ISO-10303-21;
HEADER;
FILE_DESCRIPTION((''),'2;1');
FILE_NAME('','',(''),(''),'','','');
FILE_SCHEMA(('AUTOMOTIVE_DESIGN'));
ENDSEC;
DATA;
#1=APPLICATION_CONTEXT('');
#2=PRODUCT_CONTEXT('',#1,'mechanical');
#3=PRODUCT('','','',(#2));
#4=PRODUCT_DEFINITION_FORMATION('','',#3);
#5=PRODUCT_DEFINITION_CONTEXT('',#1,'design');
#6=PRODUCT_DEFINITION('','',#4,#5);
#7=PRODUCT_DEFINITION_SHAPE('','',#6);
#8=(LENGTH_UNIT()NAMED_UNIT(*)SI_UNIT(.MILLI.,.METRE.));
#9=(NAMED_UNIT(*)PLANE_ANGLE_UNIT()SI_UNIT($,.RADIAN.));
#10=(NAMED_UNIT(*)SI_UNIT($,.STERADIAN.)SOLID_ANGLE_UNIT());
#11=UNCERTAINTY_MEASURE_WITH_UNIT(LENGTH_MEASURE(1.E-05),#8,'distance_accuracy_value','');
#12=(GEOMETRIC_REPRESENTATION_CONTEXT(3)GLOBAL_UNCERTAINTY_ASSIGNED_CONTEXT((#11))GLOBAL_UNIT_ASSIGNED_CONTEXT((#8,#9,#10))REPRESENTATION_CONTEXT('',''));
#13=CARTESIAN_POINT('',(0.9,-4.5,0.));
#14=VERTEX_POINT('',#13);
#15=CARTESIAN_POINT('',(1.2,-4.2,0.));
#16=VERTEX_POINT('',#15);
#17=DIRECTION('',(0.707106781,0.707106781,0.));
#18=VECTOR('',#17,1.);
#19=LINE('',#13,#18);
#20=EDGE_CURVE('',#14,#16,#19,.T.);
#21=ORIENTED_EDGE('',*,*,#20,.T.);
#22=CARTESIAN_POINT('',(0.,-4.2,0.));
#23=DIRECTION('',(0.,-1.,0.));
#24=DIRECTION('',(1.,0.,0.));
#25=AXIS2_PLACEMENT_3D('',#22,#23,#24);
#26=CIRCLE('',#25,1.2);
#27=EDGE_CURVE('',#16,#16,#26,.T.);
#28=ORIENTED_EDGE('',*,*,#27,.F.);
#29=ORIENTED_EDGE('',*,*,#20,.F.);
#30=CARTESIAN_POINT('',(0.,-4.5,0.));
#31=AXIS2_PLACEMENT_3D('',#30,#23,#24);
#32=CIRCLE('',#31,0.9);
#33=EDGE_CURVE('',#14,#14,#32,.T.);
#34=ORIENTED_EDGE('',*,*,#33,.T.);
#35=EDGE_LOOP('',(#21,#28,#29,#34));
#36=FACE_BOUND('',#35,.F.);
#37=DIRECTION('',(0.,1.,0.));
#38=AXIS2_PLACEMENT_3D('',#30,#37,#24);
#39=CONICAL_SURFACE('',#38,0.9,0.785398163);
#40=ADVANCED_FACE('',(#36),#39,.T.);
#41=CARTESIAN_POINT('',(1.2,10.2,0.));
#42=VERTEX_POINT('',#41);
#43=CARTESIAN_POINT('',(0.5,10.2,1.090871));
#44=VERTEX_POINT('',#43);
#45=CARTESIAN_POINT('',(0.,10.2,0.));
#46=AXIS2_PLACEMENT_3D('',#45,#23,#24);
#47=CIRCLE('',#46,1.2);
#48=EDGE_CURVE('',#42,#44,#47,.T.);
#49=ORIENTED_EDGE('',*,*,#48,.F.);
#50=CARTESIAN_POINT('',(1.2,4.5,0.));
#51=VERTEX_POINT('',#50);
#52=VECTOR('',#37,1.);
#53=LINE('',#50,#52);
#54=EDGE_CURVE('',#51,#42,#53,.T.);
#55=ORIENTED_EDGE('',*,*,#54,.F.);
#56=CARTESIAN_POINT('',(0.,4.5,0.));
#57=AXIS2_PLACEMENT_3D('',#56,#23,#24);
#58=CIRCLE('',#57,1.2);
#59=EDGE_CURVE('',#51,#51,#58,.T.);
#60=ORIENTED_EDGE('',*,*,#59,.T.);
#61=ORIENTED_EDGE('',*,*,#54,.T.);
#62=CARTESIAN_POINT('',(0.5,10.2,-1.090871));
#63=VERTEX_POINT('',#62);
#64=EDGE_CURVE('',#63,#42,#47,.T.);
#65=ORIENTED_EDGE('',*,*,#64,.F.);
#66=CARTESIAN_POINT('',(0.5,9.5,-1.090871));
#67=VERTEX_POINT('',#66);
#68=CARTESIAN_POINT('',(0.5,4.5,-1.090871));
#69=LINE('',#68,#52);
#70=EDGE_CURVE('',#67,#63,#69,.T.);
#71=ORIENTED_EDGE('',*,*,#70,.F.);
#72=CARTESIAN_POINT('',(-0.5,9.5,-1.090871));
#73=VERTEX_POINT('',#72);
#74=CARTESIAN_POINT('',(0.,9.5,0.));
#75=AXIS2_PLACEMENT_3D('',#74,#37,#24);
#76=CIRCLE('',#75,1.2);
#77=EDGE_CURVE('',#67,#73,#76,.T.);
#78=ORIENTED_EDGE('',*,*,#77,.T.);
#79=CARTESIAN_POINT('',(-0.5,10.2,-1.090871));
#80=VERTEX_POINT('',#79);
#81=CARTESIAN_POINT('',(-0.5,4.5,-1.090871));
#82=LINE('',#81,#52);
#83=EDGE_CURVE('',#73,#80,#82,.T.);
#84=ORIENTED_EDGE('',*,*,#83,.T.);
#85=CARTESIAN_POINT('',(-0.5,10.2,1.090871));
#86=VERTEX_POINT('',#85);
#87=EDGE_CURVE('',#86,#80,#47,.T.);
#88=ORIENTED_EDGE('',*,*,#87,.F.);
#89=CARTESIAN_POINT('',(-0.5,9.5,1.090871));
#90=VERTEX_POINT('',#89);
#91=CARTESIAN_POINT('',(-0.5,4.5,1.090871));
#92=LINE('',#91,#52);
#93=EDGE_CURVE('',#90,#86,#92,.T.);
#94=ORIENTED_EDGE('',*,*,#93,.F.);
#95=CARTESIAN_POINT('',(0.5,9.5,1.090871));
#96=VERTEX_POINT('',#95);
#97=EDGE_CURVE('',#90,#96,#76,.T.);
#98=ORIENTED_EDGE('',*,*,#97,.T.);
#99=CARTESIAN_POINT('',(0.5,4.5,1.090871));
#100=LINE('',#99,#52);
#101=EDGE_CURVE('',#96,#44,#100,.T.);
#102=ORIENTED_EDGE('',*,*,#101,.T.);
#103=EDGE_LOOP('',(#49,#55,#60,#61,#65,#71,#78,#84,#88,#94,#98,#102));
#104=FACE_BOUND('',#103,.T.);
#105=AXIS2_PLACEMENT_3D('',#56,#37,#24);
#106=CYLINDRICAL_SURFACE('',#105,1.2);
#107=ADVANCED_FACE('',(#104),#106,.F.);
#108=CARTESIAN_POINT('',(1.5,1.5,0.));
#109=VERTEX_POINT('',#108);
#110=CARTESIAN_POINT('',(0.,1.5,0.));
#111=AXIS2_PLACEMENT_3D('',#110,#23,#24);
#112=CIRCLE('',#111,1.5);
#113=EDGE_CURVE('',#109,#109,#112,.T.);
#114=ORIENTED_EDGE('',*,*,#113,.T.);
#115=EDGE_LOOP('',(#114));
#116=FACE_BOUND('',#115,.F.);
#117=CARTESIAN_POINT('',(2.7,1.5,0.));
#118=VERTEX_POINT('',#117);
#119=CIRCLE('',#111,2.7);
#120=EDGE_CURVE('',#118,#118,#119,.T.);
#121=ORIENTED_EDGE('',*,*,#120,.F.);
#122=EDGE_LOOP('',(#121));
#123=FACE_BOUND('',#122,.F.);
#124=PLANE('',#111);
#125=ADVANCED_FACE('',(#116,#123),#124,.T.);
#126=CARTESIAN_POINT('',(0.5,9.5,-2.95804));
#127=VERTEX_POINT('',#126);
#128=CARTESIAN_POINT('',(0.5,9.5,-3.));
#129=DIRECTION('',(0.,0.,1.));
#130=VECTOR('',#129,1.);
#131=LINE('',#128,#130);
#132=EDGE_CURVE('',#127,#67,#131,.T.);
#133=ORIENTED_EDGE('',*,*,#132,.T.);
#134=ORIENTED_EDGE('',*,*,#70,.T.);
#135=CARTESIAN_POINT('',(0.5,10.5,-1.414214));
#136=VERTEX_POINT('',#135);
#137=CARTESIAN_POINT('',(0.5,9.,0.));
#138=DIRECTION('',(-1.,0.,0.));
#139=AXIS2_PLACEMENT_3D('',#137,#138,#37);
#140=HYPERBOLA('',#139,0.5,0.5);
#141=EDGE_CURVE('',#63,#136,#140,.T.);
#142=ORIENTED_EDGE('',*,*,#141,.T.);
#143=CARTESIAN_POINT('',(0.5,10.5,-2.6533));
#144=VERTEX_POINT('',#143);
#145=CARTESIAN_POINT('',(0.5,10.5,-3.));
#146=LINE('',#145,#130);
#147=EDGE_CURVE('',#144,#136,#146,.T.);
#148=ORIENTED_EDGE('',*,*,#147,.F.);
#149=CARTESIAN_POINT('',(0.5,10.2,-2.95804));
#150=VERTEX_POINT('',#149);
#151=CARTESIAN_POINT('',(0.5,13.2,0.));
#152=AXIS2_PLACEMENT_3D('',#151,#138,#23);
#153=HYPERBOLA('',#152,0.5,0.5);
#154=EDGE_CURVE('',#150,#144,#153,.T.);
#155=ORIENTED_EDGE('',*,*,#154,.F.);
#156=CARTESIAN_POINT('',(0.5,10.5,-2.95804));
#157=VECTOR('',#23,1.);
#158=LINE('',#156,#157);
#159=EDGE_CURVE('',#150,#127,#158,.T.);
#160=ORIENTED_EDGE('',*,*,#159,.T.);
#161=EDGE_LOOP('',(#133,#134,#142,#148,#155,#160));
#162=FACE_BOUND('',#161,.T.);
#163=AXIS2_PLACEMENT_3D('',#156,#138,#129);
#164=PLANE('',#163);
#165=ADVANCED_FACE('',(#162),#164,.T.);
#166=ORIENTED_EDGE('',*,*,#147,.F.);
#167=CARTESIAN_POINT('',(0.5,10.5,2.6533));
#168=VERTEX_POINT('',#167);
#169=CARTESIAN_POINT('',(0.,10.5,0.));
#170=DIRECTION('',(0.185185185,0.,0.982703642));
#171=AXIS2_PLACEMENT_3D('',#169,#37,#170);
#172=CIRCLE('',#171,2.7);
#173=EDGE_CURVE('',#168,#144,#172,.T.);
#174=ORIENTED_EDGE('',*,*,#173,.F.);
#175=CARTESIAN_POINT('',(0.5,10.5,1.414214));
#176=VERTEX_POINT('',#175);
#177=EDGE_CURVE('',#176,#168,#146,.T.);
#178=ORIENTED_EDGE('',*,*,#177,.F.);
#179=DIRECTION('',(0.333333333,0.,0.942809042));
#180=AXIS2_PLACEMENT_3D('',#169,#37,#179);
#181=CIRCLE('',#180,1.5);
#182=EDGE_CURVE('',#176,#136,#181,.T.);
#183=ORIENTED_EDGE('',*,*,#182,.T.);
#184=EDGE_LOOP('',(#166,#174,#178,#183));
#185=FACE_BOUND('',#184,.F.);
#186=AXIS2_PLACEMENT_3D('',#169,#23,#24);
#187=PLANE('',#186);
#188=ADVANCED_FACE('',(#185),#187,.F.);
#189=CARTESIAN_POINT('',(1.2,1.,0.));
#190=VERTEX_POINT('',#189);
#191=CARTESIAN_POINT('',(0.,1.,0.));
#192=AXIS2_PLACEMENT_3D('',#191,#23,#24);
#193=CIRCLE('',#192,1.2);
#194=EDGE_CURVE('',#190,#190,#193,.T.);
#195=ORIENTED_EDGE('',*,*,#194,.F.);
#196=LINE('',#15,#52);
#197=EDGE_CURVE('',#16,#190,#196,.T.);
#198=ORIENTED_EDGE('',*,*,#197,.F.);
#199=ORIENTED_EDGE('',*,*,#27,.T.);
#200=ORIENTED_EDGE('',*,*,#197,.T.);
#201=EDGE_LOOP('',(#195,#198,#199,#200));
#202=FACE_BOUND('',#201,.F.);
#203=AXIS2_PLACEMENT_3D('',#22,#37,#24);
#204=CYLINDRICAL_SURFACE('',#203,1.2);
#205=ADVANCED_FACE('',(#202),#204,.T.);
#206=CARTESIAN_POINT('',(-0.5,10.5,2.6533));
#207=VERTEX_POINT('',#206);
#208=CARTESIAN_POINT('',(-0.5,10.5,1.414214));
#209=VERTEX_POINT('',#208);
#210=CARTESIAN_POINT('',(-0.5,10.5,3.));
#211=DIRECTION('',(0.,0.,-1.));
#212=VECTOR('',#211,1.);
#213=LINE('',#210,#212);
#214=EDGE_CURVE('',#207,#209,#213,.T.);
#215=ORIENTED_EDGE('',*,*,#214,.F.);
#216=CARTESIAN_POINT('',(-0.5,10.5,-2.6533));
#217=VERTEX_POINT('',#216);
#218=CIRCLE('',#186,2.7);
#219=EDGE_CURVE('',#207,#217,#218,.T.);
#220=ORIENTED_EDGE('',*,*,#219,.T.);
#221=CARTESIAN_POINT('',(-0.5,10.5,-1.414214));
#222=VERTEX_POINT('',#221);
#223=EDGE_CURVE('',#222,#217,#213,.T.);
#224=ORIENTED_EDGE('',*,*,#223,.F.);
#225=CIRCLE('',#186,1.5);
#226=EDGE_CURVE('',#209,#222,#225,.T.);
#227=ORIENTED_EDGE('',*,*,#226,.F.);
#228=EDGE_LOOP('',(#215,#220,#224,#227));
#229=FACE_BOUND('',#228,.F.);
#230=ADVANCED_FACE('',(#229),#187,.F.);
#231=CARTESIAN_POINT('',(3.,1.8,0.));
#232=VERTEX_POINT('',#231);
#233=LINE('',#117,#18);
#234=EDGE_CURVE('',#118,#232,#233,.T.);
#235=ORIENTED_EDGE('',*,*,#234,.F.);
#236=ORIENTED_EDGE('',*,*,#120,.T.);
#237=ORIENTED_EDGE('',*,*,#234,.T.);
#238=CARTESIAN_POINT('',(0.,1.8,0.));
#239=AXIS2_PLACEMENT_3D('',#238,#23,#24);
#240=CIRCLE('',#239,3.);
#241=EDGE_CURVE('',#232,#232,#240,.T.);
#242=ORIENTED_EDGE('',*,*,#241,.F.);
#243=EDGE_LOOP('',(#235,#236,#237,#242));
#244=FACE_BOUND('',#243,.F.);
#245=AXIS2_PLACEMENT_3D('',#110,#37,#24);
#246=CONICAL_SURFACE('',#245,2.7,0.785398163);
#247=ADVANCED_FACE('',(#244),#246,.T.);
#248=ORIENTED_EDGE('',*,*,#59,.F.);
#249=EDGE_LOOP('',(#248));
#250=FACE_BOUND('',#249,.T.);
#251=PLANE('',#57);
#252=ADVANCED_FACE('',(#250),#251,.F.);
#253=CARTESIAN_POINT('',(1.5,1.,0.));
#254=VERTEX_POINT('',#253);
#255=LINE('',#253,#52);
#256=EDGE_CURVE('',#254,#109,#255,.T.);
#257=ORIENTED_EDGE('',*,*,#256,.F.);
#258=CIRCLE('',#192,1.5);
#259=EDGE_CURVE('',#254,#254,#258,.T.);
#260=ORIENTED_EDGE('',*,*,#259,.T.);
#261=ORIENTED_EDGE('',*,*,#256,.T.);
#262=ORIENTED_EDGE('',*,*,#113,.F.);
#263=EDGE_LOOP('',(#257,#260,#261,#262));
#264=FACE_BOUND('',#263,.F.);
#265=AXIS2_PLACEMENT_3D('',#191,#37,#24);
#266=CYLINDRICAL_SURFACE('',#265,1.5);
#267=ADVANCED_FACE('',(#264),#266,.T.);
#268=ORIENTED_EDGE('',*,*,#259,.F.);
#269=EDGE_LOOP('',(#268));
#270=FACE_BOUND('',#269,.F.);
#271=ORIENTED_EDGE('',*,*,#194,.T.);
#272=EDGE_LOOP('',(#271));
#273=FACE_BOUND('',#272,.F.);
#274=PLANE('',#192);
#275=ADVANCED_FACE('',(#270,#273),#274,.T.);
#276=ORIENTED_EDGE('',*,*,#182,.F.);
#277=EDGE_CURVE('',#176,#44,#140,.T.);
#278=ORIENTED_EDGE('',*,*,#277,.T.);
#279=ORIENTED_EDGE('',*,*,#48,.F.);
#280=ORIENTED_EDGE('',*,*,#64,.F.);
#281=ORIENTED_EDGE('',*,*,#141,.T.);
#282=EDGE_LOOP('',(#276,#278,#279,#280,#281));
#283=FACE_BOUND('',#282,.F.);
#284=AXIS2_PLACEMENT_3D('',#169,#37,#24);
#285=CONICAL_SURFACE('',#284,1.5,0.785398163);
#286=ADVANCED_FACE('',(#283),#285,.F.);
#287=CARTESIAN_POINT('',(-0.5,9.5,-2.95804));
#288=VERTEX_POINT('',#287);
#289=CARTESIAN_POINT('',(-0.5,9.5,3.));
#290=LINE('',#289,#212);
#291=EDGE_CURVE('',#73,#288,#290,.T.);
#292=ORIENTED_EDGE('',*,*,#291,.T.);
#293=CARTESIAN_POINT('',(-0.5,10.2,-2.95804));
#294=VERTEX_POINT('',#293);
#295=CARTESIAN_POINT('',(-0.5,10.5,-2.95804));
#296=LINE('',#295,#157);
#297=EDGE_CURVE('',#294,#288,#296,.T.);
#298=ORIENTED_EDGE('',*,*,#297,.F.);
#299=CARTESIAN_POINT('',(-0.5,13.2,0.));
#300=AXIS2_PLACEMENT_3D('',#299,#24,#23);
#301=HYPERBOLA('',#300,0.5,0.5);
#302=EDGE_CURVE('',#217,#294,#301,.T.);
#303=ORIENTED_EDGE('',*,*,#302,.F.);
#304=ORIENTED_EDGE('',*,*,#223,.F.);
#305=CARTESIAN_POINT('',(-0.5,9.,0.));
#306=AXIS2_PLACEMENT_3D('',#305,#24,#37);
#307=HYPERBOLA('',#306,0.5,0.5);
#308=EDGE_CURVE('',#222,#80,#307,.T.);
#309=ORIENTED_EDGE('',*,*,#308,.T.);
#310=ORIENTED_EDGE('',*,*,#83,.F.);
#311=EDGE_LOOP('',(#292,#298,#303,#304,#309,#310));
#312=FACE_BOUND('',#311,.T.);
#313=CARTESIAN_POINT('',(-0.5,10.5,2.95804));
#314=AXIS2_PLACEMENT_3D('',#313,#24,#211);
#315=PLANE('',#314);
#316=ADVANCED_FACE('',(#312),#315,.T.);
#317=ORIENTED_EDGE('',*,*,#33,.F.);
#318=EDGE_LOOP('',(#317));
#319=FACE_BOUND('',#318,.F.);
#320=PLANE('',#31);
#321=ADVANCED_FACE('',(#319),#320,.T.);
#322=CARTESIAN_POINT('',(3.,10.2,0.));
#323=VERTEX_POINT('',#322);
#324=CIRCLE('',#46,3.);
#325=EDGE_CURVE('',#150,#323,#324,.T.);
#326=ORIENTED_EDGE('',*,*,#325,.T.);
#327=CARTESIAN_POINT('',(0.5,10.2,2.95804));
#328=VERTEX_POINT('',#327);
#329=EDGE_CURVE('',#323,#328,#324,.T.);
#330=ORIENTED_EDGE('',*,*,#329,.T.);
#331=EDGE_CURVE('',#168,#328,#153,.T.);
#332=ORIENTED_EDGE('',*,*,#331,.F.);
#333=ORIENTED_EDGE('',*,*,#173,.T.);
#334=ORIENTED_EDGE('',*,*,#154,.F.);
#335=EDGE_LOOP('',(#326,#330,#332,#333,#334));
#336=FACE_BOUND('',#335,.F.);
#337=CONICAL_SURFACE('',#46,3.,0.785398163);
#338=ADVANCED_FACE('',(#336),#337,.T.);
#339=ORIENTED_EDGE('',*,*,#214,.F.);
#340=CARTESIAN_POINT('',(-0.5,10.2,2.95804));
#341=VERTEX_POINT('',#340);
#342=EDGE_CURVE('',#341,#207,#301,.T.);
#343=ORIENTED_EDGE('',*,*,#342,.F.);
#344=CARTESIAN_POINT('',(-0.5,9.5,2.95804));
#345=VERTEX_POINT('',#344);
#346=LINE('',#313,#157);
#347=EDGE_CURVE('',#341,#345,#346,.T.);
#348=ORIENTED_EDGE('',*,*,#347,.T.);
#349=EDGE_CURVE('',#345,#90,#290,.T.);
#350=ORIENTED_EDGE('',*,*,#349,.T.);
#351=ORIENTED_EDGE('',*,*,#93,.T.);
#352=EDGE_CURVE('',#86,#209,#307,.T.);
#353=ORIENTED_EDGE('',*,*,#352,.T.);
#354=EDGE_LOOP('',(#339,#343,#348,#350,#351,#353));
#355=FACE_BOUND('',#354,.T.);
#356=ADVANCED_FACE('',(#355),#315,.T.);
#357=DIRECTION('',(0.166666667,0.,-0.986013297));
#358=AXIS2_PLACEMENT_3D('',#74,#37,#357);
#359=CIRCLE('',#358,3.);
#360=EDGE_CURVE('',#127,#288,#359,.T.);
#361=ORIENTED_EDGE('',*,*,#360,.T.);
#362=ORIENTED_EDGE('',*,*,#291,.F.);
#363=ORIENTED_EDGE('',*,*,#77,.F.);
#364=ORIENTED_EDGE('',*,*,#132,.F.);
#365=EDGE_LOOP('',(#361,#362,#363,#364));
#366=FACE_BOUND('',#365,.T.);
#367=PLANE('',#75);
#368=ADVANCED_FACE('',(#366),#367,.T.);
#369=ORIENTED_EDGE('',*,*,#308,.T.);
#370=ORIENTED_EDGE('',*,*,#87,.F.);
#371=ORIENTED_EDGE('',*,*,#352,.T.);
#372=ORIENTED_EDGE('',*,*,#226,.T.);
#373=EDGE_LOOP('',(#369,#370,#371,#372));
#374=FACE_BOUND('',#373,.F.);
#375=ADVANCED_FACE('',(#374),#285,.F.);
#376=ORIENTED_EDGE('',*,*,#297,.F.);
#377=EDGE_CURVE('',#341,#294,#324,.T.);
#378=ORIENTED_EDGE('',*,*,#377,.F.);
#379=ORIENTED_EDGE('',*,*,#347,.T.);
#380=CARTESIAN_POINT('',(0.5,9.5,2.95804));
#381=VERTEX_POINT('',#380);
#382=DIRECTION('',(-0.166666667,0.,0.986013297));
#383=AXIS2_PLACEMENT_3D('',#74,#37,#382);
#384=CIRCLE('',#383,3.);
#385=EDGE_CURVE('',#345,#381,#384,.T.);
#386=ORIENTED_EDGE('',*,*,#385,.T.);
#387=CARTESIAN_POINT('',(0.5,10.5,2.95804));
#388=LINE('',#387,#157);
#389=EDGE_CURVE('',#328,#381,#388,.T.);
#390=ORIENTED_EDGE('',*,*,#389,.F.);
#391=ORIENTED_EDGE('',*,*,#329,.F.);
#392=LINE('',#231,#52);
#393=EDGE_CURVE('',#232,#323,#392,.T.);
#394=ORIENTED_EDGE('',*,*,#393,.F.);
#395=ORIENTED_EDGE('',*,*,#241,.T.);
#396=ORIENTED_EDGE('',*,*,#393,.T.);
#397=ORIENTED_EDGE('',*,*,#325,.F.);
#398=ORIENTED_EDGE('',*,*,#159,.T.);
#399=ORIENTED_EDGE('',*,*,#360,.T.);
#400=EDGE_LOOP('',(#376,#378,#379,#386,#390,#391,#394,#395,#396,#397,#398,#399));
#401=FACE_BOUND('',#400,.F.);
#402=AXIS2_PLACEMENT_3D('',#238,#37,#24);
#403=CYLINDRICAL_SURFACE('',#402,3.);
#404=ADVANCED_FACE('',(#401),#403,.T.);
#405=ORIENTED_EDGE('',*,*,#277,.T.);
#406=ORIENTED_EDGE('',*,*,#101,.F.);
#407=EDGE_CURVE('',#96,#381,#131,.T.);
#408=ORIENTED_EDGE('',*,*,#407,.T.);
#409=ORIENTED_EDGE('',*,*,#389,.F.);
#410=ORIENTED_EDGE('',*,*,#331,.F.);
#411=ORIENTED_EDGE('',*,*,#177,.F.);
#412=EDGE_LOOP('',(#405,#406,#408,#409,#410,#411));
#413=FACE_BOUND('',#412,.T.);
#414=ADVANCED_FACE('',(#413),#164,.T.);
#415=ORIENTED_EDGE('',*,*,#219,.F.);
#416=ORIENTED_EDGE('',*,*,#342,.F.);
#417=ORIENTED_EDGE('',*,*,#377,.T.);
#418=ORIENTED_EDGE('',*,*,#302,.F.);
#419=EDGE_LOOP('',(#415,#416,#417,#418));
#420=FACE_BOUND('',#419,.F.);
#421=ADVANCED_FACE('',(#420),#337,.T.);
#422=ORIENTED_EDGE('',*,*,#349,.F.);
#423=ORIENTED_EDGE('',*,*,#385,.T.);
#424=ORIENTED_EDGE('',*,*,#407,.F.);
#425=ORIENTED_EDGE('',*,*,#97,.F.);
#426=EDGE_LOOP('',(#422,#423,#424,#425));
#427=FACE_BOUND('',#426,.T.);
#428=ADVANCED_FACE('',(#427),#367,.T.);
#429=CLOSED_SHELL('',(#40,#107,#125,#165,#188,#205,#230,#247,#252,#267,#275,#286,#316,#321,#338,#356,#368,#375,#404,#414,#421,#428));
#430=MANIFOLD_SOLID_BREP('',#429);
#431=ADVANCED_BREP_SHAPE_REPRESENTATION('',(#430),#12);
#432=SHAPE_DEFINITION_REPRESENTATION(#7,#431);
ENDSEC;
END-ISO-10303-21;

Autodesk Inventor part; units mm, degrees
ref_plane "YZ Plane" through (0, 0, 0) normal (1, 0, 0) x (0, 1, 0)
ref_plane "XZ Plane" through (0, 0, 0) normal (0, 1, 0) x (-1, 0, 0)
ref_plane "XY Plane" through (0, 0, 0) normal (0, 0, 1) x (1, 0, 0)
sketch "スケッチ1" plane through (0, 0, 0) normal (0, 0, 1) x (1, 0, 0)
  line L0 (0, -4.5) -> (0.9, -4.5)
  line L1 (0.9, -4.5) -> (1.2, -4.2)
  line L2 (1.2, -4.2) -> (1.2, 1)
  line L3 (1.2, 1) -> (1.5, 1)
  line L4 (1.5, 1) -> (1.5, 1.5)
  line L5 (1.5, 1.5) -> (2.7, 1.5)
  line L6 (3, 10.2) -> (2.7, 10.5)
  line L7 (2.7, 10.5) -> (1.5, 10.5)
  line L8 (1.5, 10.5) -> (1.2, 10.2)
  line L9 (0, 7.4044) -> (0, -7.4044) construction
  line L10 (0, -4.5) -> (0, 4.5)
  line L11 (0, 4.5) -> (1.2, 4.5)
  line L12 (1.2, 4.5) -> (1.2, 10.2)
  line L13 (2.7, 1.5) -> (3, 1.8)
  line L14 (3, 1.8) -> (3, 10.2)
  point P0 (0, 0)
  point P1 (0, 0)
  point P2 (0, 0)
  dimension "d0" = 2.4
  dimension "d1" = 6
  dimension "d2" = 0.3
  dimension "d3" = 0.3
  dimension "d4" = 3
  dimension "d5" = 0.5
  dimension "d6" = 9
  dimension "d7" = 0.3
  dimension "d8" = 2.4
  dimension "d9" = 6
  dimension "d10" = 0.3
  dimension "d11" = 0.3
  dimension "d12" = 0.3
  dimension "d13" = 0.3
  dimension "d14" = 6
revolve "回転1" add sketch "スケッチ1" angle 360 about axis through (0, 7.4044, 0) along (0, -1, 0)
sketch "スケッチ2" plane through (0, 10.5, 0) normal (0, 1, 0) x (1, 0, 0)
  line L0 (-0.5, 3) -> (0.5, 3)
  line L1 (0.5, 3) -> (0.5, -3)
  line L2 (0.5, -3) -> (-0.5, -3)
  line L3 (-0.5, -3) -> (-0.5, 3)
  line L4 (-0.5, 3) -> (0.5, -3) construction
  line L5 (0.5, 3) -> (-0.5, -3) construction
  circle A0 centre (0, 0) radius 3 projected
  point P0 (0, 0)
  point P1 (0.5, 2.958)
  point P2 (-0.5, 2.958)
  point P3 (-0.5, -2.958)
  point P4 (0.5, -2.958)
  dimension "d16" = 1
extrude "押し出し1" cut sketch "スケッチ2" against normal blind 1 contours A0 L1 L3
equation "\"d3\" = d2"
equation "\"d10\" = d7"
equation "\"d11\" = d7"
equation "\"d12\" = d11"
equation "\"d13\" = d12"
properties part number "BRU-309S" material "ステンレス鋼 AISI 304"
